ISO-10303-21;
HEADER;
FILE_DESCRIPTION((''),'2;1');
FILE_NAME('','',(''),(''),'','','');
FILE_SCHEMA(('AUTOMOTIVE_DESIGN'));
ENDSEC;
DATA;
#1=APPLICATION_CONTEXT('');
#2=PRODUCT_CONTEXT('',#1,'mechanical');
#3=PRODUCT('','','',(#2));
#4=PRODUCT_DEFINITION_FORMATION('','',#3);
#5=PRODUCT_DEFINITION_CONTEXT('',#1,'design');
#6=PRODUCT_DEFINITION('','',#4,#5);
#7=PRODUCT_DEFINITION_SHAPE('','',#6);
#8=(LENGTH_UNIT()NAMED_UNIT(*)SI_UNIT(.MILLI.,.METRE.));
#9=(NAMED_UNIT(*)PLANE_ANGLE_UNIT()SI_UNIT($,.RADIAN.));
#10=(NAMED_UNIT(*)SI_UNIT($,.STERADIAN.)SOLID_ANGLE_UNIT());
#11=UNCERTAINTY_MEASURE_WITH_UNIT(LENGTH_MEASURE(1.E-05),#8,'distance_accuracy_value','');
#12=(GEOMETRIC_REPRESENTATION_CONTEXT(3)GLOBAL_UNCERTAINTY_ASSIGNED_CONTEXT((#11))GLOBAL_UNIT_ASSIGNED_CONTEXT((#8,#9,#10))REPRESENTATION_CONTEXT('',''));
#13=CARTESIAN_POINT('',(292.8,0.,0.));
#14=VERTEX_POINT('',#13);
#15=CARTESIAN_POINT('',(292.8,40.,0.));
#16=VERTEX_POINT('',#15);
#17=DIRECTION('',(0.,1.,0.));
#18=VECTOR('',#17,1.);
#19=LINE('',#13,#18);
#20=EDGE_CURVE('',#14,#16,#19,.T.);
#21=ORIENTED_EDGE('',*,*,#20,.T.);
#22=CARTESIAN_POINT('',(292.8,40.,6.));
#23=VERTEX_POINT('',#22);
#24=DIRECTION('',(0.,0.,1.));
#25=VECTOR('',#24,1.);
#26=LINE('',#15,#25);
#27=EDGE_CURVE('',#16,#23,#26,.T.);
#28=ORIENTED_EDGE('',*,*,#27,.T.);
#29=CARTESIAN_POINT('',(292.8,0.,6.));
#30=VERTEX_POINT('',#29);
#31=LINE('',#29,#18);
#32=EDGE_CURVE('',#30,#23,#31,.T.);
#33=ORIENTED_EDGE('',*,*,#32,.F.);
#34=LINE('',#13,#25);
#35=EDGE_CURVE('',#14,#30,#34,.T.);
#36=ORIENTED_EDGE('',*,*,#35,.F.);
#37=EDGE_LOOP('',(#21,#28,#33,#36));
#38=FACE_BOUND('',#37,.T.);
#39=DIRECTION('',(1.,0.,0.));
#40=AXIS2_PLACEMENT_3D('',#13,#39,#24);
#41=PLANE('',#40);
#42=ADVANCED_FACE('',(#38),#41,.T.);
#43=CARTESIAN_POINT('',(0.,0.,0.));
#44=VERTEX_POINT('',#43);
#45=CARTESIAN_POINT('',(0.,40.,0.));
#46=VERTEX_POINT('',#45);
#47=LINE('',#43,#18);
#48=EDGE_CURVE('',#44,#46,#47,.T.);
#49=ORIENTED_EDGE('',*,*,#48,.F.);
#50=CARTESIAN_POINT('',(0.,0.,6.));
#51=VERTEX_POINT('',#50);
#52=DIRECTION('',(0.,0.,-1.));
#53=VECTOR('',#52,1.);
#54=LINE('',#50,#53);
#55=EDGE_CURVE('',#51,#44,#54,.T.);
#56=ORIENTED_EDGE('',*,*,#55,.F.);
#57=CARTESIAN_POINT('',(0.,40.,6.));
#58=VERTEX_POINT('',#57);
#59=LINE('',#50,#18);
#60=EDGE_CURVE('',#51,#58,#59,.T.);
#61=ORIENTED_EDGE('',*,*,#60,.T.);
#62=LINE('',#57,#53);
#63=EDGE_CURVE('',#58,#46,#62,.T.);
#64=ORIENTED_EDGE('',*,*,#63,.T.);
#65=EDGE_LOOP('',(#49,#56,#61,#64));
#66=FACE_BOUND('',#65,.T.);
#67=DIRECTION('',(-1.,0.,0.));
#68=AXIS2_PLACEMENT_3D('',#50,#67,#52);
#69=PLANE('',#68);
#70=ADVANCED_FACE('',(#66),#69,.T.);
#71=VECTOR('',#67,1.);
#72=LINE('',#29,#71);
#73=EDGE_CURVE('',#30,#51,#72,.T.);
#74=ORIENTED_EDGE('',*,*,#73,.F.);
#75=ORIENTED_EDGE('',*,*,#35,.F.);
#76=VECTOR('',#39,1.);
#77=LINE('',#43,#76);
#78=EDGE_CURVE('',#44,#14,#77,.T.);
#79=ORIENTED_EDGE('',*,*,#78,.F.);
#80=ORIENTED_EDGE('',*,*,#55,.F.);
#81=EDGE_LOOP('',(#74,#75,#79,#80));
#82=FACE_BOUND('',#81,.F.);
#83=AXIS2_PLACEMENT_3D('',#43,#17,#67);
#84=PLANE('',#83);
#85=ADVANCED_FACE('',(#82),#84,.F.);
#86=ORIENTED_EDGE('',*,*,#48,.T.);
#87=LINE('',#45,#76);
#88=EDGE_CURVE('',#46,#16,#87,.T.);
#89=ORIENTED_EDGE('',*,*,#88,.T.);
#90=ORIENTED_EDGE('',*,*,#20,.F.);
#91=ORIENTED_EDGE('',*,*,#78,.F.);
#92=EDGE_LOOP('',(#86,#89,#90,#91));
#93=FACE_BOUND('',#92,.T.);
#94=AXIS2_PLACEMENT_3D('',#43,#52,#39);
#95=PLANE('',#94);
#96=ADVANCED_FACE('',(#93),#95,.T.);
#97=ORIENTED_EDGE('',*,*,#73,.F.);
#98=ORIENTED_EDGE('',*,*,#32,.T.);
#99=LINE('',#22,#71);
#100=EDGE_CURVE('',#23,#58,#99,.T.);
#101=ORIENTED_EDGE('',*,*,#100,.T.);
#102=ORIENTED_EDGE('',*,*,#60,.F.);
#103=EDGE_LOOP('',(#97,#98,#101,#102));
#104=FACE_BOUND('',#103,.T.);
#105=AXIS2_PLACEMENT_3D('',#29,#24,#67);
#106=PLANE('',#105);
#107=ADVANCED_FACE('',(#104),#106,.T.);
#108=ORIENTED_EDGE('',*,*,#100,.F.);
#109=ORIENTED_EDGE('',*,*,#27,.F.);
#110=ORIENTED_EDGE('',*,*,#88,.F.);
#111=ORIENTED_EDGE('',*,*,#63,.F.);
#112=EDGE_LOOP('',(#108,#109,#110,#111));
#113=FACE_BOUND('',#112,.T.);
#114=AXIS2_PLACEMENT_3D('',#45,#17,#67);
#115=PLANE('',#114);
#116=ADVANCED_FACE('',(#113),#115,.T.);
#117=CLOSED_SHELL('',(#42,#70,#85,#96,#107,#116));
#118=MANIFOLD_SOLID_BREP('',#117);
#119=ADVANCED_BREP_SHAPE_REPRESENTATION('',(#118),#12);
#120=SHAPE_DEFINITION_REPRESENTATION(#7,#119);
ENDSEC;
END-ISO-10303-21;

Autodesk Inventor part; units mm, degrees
ref_plane "YZ Plane" through (0, 0, 0) normal (1, 0, 0) x (0, 1, 0)
ref_plane "XZ Plane" through (0, 0, 0) normal (0, 1, 0) x (-1, 0, 0)
ref_plane "XY Plane" through (0, 0, 0) normal (0, 0, 1) x (1, 0, 0)
sketch "Sketch1" plane through (0, 0, 0) normal (0, 1, 0) x (-1, 0, 0)
  line L0 (0, 0) -> (-292.8, 0)
  line L1 (-292.8, 0) -> (-292.8, 6)
  line L2 (-292.8, 6) -> (0, 6)
  line L3 (0, 6) -> (0, 0)
  dimension "d0" = 292.8
  dimension "d1" = 6
extrude "Extrusion1" add sketch "Sketch1" along normal blind 40
properties part number "wall-top"
